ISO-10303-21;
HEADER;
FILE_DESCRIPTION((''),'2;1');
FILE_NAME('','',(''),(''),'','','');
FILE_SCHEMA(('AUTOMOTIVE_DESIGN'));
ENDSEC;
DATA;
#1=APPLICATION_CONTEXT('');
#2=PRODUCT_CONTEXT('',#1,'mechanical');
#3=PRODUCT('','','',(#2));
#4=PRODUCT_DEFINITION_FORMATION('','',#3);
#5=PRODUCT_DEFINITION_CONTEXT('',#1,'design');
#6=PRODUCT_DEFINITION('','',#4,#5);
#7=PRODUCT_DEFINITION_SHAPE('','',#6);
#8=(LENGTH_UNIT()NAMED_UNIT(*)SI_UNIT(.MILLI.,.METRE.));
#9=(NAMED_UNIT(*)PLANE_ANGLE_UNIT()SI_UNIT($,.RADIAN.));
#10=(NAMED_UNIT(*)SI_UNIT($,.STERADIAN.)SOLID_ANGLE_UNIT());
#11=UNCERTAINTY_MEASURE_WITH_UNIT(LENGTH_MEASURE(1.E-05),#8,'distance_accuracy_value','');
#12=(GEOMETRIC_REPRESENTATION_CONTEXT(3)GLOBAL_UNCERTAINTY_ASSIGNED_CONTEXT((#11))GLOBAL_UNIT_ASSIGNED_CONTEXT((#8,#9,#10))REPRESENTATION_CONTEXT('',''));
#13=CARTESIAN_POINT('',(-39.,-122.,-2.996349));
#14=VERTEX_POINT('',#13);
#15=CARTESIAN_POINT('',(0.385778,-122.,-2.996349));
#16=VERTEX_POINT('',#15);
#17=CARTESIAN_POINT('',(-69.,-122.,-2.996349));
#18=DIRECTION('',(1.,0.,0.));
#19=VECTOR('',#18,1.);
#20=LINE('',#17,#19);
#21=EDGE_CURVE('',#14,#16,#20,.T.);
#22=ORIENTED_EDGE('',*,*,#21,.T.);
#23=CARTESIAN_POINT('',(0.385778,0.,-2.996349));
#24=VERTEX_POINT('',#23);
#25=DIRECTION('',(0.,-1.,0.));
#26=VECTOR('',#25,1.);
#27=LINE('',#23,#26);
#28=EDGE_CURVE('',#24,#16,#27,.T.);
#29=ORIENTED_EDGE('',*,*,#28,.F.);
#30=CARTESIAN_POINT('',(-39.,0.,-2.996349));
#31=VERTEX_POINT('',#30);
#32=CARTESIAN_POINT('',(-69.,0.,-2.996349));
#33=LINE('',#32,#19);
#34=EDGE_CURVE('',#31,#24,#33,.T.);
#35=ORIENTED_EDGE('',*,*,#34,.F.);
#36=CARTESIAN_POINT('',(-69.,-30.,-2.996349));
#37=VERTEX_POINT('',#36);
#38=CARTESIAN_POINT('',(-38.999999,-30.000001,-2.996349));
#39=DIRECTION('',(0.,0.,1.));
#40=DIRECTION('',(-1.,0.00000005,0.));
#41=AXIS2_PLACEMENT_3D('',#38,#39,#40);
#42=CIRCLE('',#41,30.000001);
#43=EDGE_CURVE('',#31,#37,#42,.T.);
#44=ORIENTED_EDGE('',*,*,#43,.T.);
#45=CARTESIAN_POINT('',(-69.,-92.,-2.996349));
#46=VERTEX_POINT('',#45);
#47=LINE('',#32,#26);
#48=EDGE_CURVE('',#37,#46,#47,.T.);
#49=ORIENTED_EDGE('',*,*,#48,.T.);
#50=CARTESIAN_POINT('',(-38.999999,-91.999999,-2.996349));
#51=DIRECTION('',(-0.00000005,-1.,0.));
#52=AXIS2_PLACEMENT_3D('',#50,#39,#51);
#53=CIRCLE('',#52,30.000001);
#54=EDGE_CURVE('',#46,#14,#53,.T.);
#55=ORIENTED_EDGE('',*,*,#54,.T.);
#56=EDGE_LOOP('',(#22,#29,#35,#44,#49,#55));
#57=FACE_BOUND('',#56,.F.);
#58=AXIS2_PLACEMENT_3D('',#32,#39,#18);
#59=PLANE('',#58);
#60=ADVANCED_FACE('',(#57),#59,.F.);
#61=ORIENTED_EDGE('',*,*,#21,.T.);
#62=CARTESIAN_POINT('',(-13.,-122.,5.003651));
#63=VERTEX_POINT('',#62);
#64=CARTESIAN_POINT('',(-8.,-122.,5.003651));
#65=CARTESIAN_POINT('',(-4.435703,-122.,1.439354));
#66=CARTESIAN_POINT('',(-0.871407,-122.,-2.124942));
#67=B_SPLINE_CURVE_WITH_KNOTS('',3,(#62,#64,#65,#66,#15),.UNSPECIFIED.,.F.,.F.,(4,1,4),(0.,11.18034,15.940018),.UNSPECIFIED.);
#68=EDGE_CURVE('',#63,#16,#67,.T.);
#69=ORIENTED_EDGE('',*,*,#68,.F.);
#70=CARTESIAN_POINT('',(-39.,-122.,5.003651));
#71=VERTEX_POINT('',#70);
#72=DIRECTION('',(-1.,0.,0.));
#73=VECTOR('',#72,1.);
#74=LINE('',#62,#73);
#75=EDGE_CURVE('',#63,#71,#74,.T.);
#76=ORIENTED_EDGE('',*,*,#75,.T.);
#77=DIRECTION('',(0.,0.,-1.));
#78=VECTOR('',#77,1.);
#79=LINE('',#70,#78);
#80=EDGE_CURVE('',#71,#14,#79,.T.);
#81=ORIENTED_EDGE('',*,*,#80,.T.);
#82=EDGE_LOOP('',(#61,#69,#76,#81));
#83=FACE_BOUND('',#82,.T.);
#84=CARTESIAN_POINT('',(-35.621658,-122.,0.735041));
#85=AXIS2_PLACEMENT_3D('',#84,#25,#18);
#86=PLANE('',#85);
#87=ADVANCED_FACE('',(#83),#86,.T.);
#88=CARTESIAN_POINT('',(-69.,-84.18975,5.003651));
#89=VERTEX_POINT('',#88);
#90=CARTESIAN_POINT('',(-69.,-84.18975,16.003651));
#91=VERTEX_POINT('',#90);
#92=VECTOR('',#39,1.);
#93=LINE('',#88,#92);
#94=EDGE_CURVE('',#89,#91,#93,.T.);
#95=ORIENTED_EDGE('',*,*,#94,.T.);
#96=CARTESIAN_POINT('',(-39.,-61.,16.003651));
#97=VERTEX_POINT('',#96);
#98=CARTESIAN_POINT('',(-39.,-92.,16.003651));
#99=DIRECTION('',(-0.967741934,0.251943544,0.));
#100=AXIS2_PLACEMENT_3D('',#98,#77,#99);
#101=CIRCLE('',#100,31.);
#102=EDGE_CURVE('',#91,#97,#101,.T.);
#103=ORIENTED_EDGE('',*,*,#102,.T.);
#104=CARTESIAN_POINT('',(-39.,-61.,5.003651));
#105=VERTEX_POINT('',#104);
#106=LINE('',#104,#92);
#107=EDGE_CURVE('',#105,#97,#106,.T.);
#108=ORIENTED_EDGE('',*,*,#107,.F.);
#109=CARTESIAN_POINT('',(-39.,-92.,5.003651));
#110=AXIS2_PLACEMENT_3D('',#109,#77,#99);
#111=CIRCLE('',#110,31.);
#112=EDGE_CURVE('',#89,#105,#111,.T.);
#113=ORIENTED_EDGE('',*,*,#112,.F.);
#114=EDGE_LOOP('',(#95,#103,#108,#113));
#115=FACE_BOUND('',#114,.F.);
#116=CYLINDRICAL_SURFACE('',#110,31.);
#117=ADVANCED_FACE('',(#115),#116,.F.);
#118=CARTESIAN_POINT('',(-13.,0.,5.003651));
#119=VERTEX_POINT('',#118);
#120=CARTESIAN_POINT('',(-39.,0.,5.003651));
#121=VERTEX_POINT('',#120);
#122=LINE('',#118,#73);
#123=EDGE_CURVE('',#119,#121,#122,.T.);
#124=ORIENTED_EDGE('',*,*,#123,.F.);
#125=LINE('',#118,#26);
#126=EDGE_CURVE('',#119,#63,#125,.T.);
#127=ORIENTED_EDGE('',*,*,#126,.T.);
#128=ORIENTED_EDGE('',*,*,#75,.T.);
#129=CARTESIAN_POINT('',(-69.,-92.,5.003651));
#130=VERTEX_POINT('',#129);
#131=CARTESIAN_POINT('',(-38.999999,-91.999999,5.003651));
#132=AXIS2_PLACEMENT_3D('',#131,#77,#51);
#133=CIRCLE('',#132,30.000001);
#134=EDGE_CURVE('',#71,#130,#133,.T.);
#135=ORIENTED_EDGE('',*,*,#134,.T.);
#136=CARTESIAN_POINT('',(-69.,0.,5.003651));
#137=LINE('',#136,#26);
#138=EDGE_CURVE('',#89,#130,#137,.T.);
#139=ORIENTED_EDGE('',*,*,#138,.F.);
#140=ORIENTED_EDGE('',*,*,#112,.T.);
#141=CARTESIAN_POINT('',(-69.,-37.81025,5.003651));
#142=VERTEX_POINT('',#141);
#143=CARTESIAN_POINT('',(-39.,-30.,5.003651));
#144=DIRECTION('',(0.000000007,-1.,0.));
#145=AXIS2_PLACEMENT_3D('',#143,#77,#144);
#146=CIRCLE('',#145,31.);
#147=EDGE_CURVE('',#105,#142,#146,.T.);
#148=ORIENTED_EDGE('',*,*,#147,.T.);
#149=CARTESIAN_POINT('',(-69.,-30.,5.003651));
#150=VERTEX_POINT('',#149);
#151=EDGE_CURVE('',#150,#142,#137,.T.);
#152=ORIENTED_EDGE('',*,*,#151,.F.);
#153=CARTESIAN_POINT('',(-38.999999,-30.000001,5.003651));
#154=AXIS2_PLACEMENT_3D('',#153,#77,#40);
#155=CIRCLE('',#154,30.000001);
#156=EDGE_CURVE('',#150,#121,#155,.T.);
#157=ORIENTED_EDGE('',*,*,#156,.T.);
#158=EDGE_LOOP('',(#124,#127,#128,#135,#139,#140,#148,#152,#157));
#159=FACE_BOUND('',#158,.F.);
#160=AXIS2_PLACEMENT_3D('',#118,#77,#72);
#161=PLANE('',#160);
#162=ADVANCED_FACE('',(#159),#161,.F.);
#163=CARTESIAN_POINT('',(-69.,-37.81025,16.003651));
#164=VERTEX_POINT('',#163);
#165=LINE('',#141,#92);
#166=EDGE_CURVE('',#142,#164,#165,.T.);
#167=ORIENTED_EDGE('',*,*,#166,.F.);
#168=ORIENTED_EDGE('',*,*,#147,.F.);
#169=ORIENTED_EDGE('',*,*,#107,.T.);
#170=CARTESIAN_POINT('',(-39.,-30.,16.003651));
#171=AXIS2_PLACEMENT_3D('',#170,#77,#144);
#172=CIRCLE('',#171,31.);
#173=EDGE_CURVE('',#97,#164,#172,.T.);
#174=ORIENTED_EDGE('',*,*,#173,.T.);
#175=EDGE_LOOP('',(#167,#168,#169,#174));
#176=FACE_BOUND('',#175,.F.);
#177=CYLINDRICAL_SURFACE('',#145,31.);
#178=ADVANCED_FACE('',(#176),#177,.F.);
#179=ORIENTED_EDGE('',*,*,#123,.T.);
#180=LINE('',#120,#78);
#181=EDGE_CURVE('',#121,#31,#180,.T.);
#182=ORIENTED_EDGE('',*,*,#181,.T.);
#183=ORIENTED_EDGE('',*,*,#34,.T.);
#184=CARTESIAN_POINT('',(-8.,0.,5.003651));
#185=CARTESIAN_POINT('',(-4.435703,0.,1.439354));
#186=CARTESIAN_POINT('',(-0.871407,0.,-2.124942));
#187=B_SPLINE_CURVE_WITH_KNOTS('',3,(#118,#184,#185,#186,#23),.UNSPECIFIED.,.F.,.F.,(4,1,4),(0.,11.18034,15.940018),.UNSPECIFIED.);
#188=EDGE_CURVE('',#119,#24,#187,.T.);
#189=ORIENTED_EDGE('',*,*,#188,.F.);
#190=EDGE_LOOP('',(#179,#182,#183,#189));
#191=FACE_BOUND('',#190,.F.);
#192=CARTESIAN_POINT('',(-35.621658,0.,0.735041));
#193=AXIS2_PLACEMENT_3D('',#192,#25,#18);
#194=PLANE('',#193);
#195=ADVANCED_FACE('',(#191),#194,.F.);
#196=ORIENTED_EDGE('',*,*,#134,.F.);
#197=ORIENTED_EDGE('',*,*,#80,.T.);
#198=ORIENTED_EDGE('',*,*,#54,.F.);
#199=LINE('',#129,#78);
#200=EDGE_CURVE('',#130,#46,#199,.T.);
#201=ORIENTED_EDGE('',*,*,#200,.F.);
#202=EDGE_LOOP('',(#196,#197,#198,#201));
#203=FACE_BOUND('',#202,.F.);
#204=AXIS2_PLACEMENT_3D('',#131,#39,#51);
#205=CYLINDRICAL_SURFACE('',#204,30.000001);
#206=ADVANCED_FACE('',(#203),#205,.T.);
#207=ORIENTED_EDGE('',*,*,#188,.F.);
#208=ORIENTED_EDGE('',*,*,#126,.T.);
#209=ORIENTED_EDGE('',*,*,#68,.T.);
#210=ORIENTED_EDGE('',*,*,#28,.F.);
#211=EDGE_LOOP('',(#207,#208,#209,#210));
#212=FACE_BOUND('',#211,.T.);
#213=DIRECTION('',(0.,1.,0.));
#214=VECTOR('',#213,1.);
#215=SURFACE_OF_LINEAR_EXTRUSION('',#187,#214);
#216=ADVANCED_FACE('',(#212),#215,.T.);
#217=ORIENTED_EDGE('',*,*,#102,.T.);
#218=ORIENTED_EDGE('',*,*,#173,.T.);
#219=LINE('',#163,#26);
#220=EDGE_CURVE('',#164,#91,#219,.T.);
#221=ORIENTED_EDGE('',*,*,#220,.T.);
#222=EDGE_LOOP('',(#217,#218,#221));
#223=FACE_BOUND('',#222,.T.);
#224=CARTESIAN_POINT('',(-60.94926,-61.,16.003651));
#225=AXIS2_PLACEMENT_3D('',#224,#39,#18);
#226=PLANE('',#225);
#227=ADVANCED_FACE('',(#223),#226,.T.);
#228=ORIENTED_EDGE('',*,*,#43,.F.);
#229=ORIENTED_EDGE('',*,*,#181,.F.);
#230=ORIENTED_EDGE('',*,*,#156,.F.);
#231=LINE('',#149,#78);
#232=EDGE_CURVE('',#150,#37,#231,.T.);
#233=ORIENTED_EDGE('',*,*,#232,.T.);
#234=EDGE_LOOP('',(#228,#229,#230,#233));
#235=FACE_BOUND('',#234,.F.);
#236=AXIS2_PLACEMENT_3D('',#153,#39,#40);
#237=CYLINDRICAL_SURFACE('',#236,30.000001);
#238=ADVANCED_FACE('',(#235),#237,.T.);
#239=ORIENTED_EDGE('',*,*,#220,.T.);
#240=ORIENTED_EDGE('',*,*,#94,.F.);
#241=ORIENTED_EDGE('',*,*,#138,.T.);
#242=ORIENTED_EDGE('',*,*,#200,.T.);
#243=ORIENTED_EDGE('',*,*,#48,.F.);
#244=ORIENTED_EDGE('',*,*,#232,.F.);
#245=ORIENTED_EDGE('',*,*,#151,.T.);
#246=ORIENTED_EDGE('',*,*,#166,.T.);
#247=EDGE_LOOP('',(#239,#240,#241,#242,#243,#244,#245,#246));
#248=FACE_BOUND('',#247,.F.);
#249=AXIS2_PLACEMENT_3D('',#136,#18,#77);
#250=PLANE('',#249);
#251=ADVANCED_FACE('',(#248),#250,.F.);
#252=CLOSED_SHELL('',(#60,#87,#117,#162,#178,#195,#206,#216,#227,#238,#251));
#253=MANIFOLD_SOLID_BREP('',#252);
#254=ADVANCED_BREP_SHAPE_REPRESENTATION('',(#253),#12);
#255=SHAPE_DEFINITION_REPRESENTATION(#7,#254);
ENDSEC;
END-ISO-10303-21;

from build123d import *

# Parameters (mm, degrees)
F1_DEPTH = 122
F3_DEPTH = 11
F5_DEPTH = 8.001


with BuildPart() as f1:
    # F0 (on Front) → F1 (new body)
    with BuildSketch(Plane.XZ):
        with BuildLine():
            Line((-13, 5.003651), (-69, 5.003651))
            Line((-69, 5.003651), (-69, -2.996349))
            Line((-69, -2.996349), (0.385778, -2.996349))
            add(Edge.make_bspline(
                [(-13, 5.003651), (-8, 5.003651), (-4.435703, 1.439354), (-0.871407, -2.124942), (0.385778, -2.996349)],
                knots=[0, 0, 0, 0, 11.18034, 15.940018, 15.940018, 15.940018, 15.940018], degree=3))
        make_face()
    extrude(amount=F1_DEPTH)

    # F2 (on face) → F3 (join)
    with BuildSketch(Plane.XY.offset(5.003651)):
        with BuildLine():
            ThreePointArc((-69, -84.18975), (-57.958933, -67.473303), (-39, -61))
            ThreePointArc((-39, -61), (-57.958933, -54.526697), (-69, -37.81025))
            Line((-69, -37.81025), (-69, -84.18975))
        make_face()
    extrude(amount=F3_DEPTH)

    # F4 (on face) → F5 (cut, through all)
    with BuildSketch(Plane.XY.offset(5.003651)):
        with BuildLine():
            ThreePointArc((-39, -122), (-60.213203, -113.213203), (-69, -92))
            Line((-69, -92), (-69, -122))
            Line((-69, -122), (-39, -122))
        make_face()
        with BuildLine():
            Line((-69, 0), (-69, -30))
            ThreePointArc((-69, -30), (-60.213203, -8.786797), (-39, 0))
            Line((-39, 0), (-69, 0))
        make_face()
    extrude(amount=-F5_DEPTH, mode=Mode.SUBTRACT)


solid = f1.part
